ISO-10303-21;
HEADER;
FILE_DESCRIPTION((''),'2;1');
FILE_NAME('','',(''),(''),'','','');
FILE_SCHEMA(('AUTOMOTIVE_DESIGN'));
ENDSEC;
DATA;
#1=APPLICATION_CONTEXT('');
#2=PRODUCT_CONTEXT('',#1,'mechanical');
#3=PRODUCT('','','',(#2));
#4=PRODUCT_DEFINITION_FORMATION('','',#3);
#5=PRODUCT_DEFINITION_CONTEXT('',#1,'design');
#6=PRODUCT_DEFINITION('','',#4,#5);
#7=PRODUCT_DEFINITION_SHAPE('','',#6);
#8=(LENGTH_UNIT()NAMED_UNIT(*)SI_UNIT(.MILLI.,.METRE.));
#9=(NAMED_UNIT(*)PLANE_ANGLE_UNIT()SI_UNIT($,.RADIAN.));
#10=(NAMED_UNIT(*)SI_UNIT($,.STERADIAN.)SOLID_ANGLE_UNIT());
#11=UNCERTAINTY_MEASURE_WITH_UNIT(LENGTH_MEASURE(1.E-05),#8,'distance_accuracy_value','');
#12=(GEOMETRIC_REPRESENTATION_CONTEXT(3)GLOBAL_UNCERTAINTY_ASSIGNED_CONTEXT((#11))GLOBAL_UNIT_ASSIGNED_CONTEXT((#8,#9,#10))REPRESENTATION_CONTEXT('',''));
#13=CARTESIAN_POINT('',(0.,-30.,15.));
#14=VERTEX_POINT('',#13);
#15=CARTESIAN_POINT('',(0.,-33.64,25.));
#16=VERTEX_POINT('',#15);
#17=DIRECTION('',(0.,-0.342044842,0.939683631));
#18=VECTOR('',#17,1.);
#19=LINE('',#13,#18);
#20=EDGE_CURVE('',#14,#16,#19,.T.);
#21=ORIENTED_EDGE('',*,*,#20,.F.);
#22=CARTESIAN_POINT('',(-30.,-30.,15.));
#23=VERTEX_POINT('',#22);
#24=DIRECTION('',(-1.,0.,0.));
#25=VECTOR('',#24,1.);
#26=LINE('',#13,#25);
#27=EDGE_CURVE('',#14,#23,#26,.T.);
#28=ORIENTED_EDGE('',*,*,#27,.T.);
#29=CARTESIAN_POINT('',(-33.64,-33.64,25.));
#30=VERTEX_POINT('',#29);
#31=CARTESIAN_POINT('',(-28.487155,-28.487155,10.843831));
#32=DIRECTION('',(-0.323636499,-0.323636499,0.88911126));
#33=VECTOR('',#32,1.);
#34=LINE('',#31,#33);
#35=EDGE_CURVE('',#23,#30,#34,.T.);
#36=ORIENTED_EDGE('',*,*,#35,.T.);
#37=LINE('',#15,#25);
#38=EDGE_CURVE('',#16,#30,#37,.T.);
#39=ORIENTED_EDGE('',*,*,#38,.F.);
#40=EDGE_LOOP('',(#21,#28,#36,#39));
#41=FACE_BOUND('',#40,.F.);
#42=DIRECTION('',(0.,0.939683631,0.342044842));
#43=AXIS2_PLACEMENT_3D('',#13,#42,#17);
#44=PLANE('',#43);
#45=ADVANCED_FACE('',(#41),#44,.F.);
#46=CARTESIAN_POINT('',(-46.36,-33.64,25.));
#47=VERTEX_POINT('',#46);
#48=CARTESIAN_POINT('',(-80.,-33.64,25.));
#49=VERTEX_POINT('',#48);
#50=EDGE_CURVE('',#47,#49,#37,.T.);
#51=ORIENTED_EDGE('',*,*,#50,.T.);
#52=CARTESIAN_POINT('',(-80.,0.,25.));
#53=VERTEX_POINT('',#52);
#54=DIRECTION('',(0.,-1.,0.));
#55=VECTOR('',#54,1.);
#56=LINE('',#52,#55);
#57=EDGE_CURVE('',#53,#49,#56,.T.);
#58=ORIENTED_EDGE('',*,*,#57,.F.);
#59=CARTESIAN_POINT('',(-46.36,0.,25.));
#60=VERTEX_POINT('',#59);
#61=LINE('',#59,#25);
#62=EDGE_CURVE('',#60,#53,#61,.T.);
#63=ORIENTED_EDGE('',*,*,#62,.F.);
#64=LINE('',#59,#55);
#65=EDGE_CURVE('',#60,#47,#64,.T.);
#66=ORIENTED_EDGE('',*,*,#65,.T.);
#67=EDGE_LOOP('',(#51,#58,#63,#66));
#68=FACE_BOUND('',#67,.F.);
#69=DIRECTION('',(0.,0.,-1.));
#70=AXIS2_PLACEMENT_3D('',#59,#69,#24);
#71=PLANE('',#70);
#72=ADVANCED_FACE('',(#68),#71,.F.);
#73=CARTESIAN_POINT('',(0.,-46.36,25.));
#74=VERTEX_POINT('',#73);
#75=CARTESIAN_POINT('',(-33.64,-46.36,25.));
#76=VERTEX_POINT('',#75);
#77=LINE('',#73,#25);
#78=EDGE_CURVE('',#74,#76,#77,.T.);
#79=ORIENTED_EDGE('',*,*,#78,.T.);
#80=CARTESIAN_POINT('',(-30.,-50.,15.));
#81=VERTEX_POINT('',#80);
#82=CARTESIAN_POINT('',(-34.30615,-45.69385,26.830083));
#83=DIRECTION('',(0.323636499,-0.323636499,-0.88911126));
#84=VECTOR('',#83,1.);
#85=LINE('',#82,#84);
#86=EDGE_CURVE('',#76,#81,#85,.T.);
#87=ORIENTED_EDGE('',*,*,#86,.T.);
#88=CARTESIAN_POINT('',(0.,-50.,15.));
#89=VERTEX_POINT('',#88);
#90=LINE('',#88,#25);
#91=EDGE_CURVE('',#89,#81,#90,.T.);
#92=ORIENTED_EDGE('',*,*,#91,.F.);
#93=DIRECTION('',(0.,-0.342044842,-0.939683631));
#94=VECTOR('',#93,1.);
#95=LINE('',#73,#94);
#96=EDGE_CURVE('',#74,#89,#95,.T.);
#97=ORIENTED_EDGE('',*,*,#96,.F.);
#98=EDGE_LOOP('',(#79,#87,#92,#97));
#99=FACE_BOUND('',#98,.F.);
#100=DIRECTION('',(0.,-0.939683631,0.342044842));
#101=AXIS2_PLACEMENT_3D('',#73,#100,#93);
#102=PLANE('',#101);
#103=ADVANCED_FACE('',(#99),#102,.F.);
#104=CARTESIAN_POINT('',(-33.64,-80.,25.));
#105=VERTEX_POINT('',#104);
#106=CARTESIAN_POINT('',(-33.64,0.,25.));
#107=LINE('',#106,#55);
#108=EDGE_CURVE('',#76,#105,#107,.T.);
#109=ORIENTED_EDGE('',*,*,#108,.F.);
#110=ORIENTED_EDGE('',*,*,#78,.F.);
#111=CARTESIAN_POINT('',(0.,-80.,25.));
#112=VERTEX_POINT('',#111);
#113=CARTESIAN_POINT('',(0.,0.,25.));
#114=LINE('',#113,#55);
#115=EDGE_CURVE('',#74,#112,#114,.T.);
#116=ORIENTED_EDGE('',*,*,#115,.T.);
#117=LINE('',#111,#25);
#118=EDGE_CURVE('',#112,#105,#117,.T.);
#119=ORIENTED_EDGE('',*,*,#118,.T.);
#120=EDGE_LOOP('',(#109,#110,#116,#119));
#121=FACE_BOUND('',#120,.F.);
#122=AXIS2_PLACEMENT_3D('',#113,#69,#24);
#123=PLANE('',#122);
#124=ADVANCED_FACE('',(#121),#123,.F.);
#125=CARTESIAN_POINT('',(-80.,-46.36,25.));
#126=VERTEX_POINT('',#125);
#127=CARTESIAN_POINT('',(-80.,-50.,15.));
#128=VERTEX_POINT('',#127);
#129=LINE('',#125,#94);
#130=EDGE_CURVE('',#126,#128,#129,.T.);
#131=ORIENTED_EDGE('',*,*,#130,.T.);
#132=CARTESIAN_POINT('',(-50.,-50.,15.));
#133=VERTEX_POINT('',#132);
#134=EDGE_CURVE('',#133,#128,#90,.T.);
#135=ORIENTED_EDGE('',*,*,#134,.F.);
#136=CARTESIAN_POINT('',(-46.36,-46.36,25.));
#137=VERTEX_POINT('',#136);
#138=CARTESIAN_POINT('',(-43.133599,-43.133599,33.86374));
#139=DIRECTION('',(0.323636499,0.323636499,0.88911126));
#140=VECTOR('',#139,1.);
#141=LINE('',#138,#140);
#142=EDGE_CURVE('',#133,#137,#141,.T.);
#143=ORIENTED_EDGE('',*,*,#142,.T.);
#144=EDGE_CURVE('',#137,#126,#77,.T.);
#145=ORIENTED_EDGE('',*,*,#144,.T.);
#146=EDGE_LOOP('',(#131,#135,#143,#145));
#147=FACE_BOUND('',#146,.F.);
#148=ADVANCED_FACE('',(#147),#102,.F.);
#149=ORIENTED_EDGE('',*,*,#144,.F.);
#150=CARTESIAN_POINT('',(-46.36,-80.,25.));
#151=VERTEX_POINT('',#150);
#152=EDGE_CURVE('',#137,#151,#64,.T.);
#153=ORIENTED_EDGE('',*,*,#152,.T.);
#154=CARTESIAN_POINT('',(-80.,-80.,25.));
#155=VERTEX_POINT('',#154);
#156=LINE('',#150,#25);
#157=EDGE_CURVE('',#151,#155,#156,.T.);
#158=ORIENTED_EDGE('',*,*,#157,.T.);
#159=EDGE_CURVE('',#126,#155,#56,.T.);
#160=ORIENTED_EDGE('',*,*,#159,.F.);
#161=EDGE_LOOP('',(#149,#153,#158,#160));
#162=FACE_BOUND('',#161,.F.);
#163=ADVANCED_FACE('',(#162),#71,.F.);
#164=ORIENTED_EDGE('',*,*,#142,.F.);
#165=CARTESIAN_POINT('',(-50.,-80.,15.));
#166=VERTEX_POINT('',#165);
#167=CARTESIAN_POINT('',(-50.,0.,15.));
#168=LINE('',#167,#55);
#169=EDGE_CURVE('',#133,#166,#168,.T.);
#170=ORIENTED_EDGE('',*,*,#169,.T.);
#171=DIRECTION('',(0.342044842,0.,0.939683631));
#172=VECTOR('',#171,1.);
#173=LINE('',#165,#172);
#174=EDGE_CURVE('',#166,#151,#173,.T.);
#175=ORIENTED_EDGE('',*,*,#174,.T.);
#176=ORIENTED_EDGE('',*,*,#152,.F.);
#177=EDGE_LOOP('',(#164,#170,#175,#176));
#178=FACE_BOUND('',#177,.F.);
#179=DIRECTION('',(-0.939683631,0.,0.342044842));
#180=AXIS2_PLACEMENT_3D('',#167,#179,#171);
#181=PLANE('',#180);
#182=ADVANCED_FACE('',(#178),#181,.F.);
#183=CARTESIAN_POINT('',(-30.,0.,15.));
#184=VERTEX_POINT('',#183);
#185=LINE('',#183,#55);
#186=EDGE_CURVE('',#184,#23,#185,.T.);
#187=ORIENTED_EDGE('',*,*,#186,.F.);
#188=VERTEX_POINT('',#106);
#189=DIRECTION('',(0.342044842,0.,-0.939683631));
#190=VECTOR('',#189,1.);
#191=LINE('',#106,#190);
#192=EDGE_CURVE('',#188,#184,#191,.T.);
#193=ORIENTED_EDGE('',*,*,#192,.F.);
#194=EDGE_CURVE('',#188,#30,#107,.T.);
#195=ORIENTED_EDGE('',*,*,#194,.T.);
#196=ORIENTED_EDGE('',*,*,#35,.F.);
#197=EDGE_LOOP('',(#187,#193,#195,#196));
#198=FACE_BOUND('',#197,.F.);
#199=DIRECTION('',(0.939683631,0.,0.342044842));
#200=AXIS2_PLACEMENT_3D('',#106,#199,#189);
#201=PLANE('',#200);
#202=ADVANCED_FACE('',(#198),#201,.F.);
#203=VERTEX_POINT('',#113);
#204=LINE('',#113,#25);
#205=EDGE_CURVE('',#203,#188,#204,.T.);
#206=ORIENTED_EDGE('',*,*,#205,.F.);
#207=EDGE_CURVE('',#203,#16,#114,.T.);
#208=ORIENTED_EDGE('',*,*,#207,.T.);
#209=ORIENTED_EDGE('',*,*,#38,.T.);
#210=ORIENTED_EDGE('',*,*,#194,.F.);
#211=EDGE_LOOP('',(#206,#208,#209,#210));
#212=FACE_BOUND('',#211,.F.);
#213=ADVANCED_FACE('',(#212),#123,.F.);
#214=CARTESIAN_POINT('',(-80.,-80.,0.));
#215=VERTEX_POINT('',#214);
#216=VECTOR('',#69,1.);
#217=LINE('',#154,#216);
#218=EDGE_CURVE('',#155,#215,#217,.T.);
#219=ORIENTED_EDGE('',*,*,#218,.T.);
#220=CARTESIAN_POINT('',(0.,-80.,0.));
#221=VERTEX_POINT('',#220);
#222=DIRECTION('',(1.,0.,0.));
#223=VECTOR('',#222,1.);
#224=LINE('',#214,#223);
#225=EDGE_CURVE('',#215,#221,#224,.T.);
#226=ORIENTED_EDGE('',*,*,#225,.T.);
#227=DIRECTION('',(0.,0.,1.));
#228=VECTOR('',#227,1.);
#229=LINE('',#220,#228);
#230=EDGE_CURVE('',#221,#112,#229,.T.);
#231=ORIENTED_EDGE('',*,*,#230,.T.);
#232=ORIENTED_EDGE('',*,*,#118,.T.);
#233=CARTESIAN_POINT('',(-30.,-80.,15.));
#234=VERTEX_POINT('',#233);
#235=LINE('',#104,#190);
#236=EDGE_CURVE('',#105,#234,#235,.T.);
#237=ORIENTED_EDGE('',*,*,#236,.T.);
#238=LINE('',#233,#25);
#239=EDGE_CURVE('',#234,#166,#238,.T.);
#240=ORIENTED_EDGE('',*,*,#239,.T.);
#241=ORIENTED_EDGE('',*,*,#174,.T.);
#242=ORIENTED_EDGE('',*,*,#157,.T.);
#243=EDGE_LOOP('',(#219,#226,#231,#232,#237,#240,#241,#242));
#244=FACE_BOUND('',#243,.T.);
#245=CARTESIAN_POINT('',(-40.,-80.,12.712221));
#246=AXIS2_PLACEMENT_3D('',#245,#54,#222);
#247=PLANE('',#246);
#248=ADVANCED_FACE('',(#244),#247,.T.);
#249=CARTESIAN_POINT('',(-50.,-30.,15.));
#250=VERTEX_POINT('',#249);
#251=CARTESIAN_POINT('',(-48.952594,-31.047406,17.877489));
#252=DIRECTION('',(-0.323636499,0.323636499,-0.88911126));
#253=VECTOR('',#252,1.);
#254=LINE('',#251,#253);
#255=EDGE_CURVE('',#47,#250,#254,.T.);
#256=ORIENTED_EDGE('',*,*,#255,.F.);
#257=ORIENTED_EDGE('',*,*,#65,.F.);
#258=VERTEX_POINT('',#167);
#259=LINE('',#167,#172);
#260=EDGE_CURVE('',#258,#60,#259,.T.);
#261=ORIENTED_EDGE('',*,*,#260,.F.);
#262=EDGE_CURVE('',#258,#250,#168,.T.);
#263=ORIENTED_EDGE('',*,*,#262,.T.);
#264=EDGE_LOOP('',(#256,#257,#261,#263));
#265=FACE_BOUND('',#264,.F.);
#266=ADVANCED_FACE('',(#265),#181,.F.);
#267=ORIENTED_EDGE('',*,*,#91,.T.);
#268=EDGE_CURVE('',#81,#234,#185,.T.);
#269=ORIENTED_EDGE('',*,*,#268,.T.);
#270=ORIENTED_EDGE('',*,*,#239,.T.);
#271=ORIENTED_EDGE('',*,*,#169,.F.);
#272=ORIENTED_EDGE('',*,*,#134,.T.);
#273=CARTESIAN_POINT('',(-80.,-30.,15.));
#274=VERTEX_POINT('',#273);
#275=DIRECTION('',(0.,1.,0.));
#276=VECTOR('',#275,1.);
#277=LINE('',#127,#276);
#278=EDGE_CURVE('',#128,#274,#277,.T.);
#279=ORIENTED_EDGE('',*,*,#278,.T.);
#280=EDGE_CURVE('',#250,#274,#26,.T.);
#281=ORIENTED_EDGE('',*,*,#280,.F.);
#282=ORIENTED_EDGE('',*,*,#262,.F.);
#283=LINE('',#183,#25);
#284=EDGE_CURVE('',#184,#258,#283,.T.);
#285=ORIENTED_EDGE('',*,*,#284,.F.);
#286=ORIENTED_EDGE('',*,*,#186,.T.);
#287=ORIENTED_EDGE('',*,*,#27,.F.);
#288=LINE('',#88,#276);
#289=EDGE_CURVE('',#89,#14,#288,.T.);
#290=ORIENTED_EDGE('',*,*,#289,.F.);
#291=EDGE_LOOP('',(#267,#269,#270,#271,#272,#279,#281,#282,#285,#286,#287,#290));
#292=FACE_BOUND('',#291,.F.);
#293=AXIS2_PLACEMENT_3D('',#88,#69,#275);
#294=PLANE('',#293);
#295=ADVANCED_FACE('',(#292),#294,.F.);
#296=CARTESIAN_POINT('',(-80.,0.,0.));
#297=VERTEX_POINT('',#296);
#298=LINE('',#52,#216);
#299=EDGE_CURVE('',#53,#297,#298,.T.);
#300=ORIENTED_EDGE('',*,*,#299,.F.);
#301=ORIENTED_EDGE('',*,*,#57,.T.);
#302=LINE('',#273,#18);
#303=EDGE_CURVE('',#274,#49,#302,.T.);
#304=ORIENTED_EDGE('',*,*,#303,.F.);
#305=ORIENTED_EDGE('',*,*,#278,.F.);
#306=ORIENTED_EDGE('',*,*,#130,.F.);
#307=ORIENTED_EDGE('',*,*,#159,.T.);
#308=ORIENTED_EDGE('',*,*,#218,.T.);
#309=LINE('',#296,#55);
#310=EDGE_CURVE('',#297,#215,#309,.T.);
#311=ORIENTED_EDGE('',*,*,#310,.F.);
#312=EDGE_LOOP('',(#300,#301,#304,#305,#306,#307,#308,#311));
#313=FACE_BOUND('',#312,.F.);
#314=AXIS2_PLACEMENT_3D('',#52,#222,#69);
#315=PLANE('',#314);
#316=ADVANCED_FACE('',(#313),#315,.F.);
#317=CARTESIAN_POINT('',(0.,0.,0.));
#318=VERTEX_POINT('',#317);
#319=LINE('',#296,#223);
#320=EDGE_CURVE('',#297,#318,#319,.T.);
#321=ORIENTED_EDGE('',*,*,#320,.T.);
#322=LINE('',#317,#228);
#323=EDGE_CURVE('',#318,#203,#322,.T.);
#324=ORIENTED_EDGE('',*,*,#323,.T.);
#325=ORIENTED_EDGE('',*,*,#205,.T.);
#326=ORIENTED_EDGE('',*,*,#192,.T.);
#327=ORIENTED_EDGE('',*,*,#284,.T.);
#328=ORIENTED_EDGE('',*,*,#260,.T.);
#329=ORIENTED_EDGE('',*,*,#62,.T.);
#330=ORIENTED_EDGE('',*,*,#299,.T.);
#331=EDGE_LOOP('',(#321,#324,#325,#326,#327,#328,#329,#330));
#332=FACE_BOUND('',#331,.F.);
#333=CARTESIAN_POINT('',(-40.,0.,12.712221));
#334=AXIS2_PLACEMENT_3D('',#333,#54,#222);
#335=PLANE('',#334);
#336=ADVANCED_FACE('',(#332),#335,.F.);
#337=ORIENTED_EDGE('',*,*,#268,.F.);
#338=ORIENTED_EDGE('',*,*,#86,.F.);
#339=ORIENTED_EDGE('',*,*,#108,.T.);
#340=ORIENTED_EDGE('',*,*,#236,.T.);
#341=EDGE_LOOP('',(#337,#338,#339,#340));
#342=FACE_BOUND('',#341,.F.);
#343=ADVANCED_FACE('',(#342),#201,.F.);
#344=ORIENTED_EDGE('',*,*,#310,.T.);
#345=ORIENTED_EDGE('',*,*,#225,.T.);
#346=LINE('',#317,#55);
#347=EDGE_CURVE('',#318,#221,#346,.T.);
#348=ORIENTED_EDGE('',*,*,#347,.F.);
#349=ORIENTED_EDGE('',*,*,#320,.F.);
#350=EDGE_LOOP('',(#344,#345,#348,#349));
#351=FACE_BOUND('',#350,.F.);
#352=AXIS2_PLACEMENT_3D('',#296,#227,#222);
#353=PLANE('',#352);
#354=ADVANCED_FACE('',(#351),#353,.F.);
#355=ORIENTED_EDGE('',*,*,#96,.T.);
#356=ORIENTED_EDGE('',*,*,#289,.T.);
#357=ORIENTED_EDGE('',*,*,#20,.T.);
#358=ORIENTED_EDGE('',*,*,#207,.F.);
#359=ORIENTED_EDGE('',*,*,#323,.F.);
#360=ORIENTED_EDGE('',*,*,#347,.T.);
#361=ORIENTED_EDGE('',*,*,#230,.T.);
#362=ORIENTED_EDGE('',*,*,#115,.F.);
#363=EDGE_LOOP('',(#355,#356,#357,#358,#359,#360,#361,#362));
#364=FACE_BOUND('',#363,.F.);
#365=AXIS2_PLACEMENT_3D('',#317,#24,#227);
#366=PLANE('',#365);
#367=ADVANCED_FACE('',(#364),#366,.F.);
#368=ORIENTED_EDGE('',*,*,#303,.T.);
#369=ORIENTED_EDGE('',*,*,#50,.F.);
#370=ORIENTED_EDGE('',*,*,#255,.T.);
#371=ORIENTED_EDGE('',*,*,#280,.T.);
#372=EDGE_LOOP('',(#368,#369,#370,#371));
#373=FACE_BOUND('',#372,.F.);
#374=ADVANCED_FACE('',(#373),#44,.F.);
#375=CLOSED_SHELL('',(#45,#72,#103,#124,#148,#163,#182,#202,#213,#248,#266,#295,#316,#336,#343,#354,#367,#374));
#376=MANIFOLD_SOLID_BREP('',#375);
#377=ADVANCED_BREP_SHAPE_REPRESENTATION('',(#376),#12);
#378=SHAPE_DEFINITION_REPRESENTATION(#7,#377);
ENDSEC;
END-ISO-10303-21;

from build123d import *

# Parameters (mm, degrees)
F1_DEPTH = 80
F3_DEPTH = 80


with BuildPart() as f1:
    # F0 (on Front) → F1 (new body)
    with BuildSketch(Plane.XZ):
        Polygon((-80, 0), (0, 0), (0, 25), (-33.64, 25), (-30, 15), (-50, 15), (-46.36, 25), (-80, 25), align=None)
    extrude(amount=F1_DEPTH)

    # F2 (on face) → F3 (cut)
    with BuildSketch(Plane.YZ):
        Polygon((-50, 15), (-30, 15), (-33.64, 25), (-46.36, 25), align=None)
    extrude(amount=-F3_DEPTH, mode=Mode.SUBTRACT)


solid = f1.part
